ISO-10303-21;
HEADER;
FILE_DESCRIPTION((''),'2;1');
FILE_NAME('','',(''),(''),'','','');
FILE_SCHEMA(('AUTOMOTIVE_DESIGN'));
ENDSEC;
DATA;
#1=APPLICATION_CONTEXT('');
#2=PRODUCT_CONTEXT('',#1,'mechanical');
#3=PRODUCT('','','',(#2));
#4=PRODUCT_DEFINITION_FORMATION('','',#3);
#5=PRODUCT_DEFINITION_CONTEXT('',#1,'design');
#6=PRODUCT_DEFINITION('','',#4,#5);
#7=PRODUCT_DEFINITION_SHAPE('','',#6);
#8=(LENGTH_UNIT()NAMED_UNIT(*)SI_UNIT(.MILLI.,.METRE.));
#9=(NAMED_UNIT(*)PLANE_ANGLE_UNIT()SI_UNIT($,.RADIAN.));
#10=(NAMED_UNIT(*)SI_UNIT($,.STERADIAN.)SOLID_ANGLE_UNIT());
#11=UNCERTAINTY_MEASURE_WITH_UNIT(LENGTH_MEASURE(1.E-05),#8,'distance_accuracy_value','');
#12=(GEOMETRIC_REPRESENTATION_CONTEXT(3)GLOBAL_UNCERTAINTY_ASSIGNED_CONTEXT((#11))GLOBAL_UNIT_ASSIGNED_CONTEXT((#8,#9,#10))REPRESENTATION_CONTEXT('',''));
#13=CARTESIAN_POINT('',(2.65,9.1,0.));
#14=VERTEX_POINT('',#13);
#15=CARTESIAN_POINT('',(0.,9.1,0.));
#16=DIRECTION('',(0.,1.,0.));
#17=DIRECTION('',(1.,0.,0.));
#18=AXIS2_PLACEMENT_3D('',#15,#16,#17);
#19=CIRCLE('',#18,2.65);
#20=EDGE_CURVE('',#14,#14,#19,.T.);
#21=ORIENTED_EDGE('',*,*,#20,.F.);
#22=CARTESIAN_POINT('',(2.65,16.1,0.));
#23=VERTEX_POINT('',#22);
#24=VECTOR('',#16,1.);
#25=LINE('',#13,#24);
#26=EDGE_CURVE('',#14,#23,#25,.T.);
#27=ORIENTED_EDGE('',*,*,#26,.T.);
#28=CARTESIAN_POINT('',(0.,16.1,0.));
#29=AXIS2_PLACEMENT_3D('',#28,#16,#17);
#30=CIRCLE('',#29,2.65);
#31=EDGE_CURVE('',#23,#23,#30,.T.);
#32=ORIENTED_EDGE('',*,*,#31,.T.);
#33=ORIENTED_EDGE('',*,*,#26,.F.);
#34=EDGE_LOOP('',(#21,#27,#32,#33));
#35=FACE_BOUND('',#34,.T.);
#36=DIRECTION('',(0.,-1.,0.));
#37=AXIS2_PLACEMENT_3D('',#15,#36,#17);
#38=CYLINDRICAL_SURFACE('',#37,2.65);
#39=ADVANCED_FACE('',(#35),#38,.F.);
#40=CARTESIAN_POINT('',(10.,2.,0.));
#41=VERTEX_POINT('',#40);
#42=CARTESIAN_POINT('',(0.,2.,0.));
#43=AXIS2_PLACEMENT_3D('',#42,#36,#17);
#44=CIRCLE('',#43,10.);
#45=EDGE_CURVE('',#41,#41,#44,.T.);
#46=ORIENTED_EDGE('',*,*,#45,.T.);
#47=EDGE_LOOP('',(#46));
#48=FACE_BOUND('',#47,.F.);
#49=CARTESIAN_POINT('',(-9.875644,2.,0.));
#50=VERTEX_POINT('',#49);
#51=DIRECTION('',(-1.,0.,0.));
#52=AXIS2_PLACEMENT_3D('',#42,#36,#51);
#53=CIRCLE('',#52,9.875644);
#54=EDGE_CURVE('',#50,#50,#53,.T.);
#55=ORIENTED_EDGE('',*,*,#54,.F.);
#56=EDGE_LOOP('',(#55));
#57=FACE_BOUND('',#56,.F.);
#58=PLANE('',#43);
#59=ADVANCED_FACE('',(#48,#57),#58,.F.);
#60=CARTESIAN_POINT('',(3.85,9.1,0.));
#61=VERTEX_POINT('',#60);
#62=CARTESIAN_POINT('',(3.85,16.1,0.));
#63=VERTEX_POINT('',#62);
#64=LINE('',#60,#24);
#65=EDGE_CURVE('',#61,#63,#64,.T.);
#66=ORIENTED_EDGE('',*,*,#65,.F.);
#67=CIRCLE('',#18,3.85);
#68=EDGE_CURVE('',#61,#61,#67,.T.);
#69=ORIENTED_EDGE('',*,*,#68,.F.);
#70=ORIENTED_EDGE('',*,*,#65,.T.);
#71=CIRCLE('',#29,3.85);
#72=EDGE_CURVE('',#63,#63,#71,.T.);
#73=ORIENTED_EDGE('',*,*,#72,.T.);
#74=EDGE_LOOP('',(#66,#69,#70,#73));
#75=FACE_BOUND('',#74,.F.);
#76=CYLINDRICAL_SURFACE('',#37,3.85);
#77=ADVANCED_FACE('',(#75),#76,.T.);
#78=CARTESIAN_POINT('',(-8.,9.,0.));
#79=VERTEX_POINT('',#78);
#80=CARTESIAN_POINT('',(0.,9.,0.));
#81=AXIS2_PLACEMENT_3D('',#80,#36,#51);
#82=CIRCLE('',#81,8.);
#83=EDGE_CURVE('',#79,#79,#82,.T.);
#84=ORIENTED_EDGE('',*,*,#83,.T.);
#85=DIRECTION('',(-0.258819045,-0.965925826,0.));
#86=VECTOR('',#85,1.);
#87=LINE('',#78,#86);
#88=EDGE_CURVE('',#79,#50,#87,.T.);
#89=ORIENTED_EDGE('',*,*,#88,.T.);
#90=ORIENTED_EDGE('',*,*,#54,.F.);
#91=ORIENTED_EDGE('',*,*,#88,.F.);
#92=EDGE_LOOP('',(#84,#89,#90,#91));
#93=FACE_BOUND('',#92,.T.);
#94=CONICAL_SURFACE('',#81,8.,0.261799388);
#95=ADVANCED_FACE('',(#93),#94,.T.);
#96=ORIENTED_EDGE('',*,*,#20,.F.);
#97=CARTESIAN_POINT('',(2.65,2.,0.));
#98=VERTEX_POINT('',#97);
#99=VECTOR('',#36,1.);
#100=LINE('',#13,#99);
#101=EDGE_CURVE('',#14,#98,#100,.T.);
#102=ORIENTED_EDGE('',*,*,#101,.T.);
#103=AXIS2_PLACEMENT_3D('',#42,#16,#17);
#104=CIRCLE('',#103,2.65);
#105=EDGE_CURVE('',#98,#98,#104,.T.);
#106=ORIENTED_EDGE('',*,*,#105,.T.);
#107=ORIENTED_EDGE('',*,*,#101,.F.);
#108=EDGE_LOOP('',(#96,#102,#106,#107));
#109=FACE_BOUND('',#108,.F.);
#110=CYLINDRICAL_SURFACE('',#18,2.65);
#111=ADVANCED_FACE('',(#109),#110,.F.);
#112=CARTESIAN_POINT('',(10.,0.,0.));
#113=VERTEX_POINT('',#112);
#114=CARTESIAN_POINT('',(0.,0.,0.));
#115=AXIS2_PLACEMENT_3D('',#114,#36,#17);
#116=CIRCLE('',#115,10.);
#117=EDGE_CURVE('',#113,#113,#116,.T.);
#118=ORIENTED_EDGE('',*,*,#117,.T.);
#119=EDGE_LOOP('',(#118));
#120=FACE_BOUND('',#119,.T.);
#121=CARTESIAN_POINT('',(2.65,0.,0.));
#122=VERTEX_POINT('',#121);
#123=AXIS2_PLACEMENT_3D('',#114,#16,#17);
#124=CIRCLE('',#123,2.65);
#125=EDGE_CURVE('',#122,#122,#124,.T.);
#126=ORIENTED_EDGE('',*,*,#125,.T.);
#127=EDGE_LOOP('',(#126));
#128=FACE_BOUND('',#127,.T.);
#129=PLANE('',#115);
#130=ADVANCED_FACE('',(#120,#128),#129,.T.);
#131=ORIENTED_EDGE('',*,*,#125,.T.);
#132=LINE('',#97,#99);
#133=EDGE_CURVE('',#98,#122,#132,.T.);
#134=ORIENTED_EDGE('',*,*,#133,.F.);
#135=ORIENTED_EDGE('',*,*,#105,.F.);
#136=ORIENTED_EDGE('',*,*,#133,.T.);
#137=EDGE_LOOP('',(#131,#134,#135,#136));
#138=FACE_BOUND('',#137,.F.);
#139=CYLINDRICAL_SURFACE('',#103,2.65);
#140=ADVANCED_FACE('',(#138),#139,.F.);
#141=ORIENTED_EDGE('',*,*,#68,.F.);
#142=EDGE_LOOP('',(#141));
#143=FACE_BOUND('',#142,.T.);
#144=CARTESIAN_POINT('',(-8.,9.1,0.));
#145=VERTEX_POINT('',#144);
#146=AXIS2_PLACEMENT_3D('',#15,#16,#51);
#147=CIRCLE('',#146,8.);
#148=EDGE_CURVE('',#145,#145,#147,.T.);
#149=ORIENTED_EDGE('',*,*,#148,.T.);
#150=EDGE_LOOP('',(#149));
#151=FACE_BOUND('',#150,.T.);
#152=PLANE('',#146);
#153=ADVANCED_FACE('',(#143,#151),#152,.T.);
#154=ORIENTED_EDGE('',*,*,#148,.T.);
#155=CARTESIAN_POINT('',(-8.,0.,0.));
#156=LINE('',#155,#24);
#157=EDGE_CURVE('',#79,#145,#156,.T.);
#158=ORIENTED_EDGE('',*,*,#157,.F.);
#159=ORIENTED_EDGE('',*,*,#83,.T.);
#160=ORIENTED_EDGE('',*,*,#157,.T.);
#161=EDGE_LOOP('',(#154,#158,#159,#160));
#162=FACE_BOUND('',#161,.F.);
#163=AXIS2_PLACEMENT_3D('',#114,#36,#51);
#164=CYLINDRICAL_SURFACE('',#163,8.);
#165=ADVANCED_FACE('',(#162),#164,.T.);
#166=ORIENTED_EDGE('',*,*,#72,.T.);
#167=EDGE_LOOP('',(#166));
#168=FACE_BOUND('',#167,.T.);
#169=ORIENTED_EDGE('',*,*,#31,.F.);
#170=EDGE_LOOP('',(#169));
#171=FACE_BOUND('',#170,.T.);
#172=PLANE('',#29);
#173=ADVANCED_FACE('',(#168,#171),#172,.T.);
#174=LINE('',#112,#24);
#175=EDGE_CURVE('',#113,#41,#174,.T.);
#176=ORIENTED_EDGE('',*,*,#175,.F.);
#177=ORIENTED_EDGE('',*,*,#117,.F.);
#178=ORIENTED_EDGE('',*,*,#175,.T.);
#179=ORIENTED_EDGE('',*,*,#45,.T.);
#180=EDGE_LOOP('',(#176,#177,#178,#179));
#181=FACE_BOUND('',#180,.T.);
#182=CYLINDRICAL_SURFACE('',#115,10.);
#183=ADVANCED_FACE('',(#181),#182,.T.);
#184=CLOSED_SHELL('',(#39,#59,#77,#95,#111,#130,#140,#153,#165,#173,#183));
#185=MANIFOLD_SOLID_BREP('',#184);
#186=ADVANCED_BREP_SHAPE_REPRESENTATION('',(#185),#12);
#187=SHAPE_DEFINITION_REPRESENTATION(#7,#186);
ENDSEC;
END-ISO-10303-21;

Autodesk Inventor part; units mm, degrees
ref_plane "YZ Plane" through (0, 0, 0) normal (1, 0, 0) x (0, 1, 0)
ref_plane "XZ Plane" through (0, 0, 0) normal (0, 1, 0) x (-1, 0, 0)
ref_plane "XY Plane" through (0, 0, 0) normal (0, 0, 1) x (1, 0, 0)
sketch "Boceto1" plane through (0, 0, 0) normal (0, 1, 0) x (-1, 0, 0)
  circle A0 centre (0, 0) radius 8
  dimension "d0" = 16
extrude "Extrusión1" add sketch "Boceto1" along normal blind 9.1
sketch "Boceto2" plane through (0, 9.1, 0) normal (0, 1, 0) x (1, 0, 0)
  circle A0 centre (0, 0) radius 2.65
  dimension "d3" = 5.3
extrude "Extrusión2" cut sketch "Boceto2" against normal through all
sketch "Boceto3" plane through (0, 9.1, 0) normal (0, 1, 0) x (1, 0, 0)
  circle A0 centre (0, 0) radius 3.85
  circle A1 centre (0, 0) radius 2.65 projected
  dimension "d6" = 7.7
extrude "Extrusión3" add sketch "Boceto3" along normal blind 7
sketch "Boceto4" plane through (0, 0, 0) normal (0, -1, 0) x (1, 0, 0)
  circle A0 centre (0, 0) radius 10
  dimension "d9" = 20
extrude "Extrusión4" add sketch "Boceto4" against normal blind 2
chamfer "Chaflán1" distance 7 angle 15 1 edges at (8, 2, 0) measured on face at (-7.8964, 4.3667, 1.2833)
sketch "Boceto5" plane through (0, 2, 0) normal (0, 1, 0) x (1, 0, 0)
  circle A0 centre (0, 0) radius 2.65 projected
extrude "Extrusión5" cut sketch "Boceto5" against normal through all
properties part number "elbowsupport"
